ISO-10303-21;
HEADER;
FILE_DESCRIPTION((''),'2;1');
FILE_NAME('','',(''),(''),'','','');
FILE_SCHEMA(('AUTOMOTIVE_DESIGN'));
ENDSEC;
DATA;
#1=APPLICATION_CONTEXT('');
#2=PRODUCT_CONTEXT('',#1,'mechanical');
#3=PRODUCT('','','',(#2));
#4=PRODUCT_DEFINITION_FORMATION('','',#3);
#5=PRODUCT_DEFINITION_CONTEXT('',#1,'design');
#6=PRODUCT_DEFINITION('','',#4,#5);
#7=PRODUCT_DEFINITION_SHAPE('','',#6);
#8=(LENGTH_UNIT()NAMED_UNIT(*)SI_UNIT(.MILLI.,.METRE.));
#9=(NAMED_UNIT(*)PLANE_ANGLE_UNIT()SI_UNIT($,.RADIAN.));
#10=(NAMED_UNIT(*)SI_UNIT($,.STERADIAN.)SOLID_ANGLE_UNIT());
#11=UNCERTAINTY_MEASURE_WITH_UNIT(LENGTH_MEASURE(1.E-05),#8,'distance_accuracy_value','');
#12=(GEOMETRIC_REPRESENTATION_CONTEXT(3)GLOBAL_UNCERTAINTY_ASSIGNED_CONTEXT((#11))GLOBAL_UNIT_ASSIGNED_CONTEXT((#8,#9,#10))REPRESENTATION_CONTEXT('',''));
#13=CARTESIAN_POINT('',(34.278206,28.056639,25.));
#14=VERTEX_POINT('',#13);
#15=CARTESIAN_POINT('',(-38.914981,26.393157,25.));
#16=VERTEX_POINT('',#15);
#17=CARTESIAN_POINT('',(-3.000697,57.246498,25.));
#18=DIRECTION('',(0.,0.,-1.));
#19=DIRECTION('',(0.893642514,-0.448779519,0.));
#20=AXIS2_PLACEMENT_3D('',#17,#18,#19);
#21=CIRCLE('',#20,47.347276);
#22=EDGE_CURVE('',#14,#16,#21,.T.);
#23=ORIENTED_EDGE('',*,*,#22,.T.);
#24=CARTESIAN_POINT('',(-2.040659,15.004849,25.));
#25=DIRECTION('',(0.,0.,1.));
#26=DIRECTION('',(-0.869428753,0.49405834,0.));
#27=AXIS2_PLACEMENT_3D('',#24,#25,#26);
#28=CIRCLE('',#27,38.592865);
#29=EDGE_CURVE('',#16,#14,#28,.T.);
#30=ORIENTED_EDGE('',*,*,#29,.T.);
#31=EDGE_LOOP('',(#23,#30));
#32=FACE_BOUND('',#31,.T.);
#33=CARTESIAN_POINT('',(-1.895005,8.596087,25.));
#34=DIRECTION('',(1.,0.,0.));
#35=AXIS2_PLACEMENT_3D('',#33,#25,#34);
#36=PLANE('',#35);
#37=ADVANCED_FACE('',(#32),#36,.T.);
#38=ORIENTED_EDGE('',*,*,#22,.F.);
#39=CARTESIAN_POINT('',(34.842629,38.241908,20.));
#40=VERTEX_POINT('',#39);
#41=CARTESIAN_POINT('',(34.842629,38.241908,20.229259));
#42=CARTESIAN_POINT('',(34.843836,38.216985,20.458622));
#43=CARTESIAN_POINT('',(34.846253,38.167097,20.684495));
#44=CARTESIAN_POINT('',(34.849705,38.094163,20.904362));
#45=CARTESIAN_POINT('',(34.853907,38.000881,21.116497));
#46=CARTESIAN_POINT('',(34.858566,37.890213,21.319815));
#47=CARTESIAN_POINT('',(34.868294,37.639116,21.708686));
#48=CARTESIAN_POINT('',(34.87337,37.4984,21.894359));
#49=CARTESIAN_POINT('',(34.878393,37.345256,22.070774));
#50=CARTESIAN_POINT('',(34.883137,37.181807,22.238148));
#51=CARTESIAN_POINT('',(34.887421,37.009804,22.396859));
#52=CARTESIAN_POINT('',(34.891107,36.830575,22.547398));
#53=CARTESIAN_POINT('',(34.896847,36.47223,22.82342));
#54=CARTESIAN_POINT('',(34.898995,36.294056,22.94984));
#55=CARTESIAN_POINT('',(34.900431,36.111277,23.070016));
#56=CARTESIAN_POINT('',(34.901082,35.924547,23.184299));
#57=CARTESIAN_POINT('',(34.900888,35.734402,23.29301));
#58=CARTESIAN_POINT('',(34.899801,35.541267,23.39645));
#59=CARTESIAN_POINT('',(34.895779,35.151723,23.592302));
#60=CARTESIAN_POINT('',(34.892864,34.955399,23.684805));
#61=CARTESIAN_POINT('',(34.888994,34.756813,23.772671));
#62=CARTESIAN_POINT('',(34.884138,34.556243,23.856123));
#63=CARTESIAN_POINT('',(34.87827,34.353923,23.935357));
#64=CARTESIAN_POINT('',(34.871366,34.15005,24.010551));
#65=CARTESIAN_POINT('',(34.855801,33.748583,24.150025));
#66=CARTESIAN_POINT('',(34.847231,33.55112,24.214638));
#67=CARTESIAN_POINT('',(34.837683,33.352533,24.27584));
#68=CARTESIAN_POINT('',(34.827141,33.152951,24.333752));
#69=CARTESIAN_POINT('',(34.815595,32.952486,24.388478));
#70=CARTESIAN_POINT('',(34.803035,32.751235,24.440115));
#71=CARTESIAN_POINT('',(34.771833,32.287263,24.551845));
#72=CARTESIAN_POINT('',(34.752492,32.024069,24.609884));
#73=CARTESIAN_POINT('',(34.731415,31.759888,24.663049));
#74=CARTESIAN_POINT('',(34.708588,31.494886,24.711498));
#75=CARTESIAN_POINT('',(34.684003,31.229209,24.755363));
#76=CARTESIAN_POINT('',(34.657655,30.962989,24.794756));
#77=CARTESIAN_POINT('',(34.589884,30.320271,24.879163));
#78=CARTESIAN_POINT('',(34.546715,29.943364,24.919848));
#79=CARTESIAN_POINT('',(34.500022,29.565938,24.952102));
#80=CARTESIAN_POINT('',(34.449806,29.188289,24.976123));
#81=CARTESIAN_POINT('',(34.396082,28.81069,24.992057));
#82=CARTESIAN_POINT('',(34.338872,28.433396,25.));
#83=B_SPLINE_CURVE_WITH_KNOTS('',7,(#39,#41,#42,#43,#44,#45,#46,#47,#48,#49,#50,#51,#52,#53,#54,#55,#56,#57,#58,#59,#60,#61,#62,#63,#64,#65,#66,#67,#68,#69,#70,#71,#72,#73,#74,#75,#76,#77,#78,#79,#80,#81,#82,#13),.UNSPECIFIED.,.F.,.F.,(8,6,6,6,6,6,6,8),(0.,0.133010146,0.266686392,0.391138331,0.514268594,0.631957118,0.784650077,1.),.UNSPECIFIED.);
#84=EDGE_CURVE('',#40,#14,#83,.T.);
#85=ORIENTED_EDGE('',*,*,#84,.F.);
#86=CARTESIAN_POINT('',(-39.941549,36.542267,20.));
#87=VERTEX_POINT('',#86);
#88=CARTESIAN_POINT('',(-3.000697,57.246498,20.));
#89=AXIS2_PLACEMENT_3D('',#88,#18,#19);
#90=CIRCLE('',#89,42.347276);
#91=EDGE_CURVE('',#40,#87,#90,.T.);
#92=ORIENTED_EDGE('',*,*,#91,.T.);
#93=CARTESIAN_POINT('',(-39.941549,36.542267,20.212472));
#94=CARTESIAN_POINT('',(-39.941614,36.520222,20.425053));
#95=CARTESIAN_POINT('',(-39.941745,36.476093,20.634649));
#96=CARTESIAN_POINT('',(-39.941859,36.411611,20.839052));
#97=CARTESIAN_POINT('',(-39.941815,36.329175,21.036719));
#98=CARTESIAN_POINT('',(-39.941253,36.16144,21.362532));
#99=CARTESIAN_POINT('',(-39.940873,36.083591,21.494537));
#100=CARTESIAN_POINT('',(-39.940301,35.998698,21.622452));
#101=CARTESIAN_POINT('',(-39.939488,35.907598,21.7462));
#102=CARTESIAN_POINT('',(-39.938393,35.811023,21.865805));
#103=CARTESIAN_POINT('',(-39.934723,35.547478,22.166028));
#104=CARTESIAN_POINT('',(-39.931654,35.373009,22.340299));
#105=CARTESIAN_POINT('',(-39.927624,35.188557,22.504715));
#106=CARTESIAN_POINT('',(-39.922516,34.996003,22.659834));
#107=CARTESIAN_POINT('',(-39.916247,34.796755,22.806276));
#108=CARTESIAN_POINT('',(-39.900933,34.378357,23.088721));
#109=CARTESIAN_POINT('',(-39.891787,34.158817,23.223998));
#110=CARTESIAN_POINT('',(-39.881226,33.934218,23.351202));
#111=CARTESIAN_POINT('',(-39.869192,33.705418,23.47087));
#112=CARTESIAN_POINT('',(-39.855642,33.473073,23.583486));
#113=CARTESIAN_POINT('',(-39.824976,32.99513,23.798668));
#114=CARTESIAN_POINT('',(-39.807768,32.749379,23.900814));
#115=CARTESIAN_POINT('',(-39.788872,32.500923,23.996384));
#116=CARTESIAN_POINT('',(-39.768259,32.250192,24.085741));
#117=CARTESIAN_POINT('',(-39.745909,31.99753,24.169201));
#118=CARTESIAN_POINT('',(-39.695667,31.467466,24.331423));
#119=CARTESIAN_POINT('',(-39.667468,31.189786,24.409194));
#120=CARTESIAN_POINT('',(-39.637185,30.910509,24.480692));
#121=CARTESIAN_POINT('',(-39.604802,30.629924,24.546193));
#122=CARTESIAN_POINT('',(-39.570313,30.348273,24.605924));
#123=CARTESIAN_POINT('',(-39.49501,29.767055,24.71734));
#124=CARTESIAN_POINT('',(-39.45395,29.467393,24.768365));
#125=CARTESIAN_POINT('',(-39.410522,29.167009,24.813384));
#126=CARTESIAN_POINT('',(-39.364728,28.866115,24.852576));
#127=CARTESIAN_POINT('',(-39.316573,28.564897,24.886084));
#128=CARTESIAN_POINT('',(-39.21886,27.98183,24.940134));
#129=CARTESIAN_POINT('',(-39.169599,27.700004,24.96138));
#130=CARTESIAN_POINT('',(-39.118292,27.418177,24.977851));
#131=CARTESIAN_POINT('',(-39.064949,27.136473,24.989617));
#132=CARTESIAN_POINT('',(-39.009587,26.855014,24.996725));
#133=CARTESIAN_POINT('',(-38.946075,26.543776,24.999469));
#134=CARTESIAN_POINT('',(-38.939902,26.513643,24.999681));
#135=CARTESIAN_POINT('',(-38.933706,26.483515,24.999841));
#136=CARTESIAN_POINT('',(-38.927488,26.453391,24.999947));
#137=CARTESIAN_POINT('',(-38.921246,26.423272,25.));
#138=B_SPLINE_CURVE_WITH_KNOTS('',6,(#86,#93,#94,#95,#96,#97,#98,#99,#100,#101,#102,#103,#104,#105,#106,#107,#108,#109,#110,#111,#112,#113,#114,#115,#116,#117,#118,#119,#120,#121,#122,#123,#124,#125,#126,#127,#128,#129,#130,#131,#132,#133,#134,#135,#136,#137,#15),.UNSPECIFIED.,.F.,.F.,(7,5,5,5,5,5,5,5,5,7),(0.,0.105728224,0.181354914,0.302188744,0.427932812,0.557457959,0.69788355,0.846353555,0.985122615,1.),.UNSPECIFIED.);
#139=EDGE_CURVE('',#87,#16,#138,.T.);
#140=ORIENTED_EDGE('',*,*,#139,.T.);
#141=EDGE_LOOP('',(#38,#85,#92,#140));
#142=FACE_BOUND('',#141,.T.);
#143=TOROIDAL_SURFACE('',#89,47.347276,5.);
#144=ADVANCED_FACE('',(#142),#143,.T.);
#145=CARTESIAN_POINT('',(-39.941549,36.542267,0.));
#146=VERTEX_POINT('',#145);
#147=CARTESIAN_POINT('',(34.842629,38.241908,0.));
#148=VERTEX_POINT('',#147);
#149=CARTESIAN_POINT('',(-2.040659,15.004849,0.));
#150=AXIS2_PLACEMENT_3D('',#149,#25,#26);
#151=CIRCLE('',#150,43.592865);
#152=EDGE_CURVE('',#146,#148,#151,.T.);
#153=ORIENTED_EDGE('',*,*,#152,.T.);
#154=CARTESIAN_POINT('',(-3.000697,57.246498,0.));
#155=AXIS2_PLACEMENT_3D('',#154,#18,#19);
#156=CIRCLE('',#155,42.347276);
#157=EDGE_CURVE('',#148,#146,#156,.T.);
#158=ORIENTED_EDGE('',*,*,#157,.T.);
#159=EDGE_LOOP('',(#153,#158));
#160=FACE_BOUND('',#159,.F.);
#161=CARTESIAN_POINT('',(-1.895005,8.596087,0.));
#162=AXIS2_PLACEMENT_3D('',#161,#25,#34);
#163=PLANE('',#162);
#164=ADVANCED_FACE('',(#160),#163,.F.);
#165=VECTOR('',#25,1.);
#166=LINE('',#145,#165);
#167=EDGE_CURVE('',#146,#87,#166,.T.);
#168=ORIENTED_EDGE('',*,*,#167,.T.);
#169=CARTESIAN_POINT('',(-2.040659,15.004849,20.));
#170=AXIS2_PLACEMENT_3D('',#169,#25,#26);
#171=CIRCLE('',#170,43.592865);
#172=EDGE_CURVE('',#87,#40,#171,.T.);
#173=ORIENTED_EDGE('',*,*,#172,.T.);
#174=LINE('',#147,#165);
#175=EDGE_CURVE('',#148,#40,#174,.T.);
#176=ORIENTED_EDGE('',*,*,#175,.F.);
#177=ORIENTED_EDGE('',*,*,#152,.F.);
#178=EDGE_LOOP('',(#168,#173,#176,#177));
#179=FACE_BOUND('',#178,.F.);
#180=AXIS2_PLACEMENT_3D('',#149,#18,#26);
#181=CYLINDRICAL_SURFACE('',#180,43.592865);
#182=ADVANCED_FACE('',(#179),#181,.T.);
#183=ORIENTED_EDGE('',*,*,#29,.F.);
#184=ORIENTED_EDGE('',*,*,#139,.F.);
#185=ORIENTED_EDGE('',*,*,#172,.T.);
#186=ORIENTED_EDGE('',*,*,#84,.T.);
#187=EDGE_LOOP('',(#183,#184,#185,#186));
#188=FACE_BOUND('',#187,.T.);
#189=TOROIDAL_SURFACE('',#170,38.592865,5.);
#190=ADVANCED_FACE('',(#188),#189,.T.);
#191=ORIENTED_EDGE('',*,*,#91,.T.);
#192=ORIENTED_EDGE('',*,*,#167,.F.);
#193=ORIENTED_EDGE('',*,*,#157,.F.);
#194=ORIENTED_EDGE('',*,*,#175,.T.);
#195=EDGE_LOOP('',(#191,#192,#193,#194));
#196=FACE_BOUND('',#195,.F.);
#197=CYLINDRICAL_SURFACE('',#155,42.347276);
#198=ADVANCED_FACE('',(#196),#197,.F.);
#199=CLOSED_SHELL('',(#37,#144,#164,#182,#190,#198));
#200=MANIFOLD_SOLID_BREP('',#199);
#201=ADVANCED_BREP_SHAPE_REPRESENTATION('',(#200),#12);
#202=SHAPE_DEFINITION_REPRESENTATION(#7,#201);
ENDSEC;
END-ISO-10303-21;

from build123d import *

# Parameters (mm, degrees)
F2_DEPTH = 25
F3_R     = 5


with BuildPart() as f2:
    # F0 (on Top) → F2 (new body)
    with BuildSketch(Plane.XY):
        with BuildLine():
            ThreePointArc((34.842629, 38.241908), (-2.038507, 14.910155), (-39.941549, 36.542267))
            ThreePointArc((-39.941549, 36.542267), (-1.050167, -28.576762), (34.842629, 38.241908))
        make_face()
    extrude(amount=F2_DEPTH)

    # F3
    f3_edges = [f2.edges().sort_by_distance(p)[0] for p in [
        (-1.050167, -28.576762, 25),
        (-2.038507, 14.910155, 25),
    ]]
    fillet(f3_edges, radius=F3_R)


solid = f2.part
